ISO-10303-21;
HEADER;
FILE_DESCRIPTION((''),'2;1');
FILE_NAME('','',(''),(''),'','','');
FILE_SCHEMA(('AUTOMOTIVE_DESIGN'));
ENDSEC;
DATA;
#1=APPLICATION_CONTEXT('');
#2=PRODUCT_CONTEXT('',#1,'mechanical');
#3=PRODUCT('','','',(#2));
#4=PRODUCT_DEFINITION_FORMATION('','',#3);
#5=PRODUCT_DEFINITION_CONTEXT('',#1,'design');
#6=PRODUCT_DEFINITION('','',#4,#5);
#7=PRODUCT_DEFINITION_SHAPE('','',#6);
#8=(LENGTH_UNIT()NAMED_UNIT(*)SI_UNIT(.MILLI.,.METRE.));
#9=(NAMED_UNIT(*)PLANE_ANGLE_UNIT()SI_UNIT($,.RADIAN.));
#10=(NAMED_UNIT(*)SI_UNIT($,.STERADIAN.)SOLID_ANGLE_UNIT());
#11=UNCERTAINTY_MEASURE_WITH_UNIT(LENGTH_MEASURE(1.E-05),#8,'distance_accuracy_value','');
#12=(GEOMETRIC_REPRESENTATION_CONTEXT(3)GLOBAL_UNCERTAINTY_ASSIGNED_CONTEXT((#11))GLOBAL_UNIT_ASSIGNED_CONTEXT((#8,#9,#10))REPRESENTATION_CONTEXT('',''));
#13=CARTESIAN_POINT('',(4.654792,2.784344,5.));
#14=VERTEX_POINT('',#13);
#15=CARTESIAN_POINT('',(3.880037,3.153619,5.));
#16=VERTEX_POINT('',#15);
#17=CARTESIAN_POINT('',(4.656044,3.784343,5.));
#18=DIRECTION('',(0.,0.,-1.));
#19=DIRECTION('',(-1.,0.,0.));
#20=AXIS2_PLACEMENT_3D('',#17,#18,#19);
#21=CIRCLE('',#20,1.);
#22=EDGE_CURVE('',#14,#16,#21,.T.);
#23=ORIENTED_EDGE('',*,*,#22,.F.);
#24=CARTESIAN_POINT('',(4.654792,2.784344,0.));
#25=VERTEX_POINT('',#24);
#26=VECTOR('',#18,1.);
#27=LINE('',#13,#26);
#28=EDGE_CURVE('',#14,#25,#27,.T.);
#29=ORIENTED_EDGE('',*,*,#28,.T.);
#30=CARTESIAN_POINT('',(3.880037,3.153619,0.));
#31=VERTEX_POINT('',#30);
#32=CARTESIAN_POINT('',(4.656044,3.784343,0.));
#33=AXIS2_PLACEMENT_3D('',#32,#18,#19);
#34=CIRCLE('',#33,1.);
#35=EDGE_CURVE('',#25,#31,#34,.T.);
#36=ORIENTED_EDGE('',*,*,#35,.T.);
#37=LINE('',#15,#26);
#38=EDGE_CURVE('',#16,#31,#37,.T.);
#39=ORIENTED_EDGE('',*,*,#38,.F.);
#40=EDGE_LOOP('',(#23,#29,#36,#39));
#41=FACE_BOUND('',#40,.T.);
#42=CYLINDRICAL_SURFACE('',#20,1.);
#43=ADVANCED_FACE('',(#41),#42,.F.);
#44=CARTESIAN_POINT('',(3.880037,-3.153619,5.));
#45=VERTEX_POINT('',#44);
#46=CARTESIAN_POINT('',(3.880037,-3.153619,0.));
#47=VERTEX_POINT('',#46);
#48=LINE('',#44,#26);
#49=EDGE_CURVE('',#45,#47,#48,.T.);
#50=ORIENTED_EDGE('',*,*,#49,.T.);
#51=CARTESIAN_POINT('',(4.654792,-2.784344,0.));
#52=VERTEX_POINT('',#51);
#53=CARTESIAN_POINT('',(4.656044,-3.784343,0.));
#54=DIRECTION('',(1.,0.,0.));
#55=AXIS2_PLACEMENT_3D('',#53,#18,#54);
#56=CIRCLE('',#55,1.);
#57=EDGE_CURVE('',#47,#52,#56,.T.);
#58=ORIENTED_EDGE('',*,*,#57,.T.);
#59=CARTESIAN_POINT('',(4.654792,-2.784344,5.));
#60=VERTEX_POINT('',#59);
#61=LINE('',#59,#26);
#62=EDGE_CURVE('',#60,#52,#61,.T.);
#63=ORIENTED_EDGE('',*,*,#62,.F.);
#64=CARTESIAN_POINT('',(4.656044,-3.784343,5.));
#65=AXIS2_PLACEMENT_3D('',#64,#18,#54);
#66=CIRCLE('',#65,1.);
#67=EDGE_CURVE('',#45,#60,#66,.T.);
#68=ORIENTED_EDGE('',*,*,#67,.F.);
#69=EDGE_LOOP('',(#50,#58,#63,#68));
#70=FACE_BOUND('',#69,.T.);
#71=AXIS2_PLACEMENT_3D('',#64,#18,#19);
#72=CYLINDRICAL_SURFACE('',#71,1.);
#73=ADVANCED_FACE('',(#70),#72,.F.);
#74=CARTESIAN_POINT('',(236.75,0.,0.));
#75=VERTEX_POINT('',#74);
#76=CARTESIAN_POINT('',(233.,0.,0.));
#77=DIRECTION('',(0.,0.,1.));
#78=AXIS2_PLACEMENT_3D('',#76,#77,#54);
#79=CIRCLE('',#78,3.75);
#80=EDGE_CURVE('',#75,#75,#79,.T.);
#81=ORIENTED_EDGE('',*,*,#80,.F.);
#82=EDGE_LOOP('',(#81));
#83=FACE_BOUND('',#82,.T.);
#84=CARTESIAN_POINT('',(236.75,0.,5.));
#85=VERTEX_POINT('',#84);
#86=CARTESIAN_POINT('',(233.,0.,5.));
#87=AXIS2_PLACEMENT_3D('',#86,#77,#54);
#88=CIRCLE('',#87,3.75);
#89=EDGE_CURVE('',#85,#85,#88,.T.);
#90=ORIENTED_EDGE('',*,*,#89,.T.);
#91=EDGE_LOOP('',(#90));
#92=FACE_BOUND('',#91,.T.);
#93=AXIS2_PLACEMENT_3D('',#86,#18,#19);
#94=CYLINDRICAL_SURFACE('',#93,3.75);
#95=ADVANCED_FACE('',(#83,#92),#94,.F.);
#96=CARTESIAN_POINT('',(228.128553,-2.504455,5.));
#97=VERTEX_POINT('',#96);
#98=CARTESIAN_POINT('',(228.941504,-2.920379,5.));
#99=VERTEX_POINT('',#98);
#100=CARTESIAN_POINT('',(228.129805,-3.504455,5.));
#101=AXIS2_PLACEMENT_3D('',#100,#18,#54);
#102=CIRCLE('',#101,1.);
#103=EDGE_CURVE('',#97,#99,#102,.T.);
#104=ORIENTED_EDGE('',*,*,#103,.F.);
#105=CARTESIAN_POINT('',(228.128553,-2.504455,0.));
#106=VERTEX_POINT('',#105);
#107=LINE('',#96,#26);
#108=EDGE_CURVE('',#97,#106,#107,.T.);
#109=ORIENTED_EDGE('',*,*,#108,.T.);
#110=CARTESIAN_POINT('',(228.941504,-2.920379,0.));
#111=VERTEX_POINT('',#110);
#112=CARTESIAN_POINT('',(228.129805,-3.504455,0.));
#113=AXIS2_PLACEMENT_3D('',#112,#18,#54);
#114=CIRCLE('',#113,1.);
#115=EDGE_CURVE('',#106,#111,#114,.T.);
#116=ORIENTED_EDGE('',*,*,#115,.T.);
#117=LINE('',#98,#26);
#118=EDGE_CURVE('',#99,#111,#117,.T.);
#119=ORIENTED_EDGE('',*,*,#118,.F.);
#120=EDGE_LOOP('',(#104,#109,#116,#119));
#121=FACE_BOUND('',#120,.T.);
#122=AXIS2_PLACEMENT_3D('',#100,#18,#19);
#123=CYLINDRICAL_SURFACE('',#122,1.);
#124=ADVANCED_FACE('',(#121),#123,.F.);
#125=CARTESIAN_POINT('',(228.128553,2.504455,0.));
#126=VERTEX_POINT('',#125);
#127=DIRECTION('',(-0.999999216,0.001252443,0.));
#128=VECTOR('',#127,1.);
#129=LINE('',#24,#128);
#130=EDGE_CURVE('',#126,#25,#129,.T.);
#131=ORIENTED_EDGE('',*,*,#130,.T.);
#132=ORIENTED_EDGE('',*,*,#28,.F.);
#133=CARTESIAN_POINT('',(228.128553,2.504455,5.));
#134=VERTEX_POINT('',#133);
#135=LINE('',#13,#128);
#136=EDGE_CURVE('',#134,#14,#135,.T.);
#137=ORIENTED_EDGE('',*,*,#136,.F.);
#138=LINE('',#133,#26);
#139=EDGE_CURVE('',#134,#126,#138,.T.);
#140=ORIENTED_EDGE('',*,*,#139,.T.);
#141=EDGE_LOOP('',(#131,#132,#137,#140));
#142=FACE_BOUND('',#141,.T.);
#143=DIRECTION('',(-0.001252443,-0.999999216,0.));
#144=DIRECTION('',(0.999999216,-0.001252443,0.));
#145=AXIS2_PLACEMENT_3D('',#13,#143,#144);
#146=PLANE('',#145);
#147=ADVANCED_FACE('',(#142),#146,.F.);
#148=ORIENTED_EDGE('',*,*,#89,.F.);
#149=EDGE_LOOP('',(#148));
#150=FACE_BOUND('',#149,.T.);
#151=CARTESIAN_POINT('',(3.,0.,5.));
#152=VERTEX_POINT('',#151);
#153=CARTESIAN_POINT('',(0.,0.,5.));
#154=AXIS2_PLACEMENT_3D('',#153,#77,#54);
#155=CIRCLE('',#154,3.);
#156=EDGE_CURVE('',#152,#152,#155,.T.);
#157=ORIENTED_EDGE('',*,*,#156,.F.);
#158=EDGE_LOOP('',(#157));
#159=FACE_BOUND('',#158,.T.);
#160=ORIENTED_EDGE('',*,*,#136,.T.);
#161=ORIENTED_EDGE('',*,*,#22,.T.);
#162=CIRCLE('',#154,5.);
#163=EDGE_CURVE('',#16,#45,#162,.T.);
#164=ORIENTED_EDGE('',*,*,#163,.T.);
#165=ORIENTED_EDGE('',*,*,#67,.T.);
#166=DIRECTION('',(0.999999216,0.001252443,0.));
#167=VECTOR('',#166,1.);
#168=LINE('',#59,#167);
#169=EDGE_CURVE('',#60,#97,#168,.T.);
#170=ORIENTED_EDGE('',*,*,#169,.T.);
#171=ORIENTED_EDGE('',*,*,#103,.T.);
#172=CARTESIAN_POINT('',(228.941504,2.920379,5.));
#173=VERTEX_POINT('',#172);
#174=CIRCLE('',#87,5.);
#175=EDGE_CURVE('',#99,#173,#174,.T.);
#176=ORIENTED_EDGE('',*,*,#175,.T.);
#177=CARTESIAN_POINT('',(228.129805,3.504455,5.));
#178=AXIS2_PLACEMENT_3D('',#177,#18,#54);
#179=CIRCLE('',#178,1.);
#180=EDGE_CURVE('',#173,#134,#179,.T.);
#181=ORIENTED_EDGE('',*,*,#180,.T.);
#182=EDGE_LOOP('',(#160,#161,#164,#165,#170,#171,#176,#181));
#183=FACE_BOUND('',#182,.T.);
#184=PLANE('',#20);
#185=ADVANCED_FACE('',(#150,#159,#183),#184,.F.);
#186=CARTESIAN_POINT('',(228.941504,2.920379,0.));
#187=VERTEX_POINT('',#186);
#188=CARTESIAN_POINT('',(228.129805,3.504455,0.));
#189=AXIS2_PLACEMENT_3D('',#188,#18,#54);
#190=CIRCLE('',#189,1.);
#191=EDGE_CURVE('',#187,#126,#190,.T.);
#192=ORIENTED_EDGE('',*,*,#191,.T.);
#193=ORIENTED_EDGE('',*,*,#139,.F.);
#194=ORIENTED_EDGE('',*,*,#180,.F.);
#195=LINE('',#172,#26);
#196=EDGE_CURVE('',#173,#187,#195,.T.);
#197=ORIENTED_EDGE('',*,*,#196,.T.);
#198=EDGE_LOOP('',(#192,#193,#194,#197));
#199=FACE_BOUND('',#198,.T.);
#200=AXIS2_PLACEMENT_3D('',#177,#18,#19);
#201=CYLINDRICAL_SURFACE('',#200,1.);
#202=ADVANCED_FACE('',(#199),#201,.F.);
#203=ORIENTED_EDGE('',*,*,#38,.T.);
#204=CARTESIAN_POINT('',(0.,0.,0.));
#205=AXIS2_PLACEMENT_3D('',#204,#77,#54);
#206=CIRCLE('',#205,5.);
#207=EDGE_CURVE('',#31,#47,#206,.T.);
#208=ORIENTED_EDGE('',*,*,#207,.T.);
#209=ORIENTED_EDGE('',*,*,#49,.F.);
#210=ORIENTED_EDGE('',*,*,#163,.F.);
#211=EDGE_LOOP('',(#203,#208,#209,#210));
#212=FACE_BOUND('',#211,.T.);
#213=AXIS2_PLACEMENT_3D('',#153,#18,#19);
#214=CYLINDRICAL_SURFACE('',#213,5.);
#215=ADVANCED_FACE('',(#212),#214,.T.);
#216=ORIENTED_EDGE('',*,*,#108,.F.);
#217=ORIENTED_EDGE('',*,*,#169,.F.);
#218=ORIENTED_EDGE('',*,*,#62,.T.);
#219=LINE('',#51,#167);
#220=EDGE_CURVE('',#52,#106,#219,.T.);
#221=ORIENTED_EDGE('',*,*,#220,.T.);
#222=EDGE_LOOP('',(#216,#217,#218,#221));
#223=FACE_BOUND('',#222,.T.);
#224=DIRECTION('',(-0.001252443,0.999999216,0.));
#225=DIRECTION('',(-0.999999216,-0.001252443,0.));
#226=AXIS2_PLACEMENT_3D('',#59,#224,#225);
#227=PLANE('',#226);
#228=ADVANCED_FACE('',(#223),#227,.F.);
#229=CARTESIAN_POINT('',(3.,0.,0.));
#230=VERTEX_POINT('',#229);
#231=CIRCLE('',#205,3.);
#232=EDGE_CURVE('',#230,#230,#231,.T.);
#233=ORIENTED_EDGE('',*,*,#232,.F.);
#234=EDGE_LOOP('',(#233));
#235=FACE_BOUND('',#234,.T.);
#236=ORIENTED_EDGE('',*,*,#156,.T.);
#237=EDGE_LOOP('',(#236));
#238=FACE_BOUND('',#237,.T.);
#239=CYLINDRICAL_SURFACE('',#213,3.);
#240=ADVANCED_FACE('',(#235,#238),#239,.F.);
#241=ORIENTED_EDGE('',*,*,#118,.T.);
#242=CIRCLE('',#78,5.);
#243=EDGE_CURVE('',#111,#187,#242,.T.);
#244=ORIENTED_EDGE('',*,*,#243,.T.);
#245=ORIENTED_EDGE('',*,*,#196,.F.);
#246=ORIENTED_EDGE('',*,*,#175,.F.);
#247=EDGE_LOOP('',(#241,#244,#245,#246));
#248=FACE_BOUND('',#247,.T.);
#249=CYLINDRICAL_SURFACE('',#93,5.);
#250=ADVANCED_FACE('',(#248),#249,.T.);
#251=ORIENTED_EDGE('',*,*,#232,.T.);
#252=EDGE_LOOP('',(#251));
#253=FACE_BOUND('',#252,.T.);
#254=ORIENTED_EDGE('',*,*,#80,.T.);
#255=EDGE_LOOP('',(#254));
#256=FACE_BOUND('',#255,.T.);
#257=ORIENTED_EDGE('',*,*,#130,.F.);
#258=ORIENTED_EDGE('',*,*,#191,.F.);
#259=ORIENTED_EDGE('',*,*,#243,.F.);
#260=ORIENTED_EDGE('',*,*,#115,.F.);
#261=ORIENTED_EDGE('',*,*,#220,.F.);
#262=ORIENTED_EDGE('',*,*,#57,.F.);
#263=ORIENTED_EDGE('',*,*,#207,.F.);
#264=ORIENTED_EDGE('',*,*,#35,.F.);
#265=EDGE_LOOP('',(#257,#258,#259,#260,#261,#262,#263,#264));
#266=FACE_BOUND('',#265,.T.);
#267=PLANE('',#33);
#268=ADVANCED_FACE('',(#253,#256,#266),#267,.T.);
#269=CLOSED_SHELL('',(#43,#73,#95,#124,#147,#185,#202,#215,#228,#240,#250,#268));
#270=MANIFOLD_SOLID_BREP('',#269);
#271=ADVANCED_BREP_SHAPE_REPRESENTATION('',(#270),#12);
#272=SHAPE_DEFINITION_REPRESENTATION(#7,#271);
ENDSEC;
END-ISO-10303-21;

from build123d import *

# Parameters (mm, degrees)
ESBO_O1_R                = 3
ESBO_O1_R_2              = 3.75
RESSALTO_EXTRUS_O1_DEPTH = 5


with BuildPart() as part:
    # Esboço1 → Ressalto-extrusão1 (new body)
    with BuildSketch(Plane.XY):
        with BuildLine():
            Line((4.654791828, -2.784343758), (228.128552646, -2.504455311))
            ThreePointArc((228.128552646, -2.504455311), (228.585276327, -2.614204027), (228.941504241, -2.920378772))
            ThreePointArc((228.941504241, -2.920378772), (238, 0), (228.941504241, 2.920378772))
            ThreePointArc((228.941504241, 2.920378772), (228.585276327, 2.614204027), (228.128552646, 2.504455311))
            Line((228.128552646, 2.504455311), (4.654791828, 2.784343758))
            ThreePointArc((4.654791828, 2.784343758), (4.225783553, 2.881638307), (3.880036893, 3.153619145))
            ThreePointArc((3.880036893, 3.153619145), (-5, 0), (3.880036893, -3.153619145))
            ThreePointArc((3.880036893, -3.153619145), (4.225783553, -2.881638307), (4.654791828, -2.784343758))
        make_face()
        Circle(ESBO_O1_R, mode=Mode.SUBTRACT)
        with Locations((233, 0)):
            Circle(ESBO_O1_R_2, mode=Mode.SUBTRACT)
    extrude(amount=RESSALTO_EXTRUS_O1_DEPTH)


solid = part.part
